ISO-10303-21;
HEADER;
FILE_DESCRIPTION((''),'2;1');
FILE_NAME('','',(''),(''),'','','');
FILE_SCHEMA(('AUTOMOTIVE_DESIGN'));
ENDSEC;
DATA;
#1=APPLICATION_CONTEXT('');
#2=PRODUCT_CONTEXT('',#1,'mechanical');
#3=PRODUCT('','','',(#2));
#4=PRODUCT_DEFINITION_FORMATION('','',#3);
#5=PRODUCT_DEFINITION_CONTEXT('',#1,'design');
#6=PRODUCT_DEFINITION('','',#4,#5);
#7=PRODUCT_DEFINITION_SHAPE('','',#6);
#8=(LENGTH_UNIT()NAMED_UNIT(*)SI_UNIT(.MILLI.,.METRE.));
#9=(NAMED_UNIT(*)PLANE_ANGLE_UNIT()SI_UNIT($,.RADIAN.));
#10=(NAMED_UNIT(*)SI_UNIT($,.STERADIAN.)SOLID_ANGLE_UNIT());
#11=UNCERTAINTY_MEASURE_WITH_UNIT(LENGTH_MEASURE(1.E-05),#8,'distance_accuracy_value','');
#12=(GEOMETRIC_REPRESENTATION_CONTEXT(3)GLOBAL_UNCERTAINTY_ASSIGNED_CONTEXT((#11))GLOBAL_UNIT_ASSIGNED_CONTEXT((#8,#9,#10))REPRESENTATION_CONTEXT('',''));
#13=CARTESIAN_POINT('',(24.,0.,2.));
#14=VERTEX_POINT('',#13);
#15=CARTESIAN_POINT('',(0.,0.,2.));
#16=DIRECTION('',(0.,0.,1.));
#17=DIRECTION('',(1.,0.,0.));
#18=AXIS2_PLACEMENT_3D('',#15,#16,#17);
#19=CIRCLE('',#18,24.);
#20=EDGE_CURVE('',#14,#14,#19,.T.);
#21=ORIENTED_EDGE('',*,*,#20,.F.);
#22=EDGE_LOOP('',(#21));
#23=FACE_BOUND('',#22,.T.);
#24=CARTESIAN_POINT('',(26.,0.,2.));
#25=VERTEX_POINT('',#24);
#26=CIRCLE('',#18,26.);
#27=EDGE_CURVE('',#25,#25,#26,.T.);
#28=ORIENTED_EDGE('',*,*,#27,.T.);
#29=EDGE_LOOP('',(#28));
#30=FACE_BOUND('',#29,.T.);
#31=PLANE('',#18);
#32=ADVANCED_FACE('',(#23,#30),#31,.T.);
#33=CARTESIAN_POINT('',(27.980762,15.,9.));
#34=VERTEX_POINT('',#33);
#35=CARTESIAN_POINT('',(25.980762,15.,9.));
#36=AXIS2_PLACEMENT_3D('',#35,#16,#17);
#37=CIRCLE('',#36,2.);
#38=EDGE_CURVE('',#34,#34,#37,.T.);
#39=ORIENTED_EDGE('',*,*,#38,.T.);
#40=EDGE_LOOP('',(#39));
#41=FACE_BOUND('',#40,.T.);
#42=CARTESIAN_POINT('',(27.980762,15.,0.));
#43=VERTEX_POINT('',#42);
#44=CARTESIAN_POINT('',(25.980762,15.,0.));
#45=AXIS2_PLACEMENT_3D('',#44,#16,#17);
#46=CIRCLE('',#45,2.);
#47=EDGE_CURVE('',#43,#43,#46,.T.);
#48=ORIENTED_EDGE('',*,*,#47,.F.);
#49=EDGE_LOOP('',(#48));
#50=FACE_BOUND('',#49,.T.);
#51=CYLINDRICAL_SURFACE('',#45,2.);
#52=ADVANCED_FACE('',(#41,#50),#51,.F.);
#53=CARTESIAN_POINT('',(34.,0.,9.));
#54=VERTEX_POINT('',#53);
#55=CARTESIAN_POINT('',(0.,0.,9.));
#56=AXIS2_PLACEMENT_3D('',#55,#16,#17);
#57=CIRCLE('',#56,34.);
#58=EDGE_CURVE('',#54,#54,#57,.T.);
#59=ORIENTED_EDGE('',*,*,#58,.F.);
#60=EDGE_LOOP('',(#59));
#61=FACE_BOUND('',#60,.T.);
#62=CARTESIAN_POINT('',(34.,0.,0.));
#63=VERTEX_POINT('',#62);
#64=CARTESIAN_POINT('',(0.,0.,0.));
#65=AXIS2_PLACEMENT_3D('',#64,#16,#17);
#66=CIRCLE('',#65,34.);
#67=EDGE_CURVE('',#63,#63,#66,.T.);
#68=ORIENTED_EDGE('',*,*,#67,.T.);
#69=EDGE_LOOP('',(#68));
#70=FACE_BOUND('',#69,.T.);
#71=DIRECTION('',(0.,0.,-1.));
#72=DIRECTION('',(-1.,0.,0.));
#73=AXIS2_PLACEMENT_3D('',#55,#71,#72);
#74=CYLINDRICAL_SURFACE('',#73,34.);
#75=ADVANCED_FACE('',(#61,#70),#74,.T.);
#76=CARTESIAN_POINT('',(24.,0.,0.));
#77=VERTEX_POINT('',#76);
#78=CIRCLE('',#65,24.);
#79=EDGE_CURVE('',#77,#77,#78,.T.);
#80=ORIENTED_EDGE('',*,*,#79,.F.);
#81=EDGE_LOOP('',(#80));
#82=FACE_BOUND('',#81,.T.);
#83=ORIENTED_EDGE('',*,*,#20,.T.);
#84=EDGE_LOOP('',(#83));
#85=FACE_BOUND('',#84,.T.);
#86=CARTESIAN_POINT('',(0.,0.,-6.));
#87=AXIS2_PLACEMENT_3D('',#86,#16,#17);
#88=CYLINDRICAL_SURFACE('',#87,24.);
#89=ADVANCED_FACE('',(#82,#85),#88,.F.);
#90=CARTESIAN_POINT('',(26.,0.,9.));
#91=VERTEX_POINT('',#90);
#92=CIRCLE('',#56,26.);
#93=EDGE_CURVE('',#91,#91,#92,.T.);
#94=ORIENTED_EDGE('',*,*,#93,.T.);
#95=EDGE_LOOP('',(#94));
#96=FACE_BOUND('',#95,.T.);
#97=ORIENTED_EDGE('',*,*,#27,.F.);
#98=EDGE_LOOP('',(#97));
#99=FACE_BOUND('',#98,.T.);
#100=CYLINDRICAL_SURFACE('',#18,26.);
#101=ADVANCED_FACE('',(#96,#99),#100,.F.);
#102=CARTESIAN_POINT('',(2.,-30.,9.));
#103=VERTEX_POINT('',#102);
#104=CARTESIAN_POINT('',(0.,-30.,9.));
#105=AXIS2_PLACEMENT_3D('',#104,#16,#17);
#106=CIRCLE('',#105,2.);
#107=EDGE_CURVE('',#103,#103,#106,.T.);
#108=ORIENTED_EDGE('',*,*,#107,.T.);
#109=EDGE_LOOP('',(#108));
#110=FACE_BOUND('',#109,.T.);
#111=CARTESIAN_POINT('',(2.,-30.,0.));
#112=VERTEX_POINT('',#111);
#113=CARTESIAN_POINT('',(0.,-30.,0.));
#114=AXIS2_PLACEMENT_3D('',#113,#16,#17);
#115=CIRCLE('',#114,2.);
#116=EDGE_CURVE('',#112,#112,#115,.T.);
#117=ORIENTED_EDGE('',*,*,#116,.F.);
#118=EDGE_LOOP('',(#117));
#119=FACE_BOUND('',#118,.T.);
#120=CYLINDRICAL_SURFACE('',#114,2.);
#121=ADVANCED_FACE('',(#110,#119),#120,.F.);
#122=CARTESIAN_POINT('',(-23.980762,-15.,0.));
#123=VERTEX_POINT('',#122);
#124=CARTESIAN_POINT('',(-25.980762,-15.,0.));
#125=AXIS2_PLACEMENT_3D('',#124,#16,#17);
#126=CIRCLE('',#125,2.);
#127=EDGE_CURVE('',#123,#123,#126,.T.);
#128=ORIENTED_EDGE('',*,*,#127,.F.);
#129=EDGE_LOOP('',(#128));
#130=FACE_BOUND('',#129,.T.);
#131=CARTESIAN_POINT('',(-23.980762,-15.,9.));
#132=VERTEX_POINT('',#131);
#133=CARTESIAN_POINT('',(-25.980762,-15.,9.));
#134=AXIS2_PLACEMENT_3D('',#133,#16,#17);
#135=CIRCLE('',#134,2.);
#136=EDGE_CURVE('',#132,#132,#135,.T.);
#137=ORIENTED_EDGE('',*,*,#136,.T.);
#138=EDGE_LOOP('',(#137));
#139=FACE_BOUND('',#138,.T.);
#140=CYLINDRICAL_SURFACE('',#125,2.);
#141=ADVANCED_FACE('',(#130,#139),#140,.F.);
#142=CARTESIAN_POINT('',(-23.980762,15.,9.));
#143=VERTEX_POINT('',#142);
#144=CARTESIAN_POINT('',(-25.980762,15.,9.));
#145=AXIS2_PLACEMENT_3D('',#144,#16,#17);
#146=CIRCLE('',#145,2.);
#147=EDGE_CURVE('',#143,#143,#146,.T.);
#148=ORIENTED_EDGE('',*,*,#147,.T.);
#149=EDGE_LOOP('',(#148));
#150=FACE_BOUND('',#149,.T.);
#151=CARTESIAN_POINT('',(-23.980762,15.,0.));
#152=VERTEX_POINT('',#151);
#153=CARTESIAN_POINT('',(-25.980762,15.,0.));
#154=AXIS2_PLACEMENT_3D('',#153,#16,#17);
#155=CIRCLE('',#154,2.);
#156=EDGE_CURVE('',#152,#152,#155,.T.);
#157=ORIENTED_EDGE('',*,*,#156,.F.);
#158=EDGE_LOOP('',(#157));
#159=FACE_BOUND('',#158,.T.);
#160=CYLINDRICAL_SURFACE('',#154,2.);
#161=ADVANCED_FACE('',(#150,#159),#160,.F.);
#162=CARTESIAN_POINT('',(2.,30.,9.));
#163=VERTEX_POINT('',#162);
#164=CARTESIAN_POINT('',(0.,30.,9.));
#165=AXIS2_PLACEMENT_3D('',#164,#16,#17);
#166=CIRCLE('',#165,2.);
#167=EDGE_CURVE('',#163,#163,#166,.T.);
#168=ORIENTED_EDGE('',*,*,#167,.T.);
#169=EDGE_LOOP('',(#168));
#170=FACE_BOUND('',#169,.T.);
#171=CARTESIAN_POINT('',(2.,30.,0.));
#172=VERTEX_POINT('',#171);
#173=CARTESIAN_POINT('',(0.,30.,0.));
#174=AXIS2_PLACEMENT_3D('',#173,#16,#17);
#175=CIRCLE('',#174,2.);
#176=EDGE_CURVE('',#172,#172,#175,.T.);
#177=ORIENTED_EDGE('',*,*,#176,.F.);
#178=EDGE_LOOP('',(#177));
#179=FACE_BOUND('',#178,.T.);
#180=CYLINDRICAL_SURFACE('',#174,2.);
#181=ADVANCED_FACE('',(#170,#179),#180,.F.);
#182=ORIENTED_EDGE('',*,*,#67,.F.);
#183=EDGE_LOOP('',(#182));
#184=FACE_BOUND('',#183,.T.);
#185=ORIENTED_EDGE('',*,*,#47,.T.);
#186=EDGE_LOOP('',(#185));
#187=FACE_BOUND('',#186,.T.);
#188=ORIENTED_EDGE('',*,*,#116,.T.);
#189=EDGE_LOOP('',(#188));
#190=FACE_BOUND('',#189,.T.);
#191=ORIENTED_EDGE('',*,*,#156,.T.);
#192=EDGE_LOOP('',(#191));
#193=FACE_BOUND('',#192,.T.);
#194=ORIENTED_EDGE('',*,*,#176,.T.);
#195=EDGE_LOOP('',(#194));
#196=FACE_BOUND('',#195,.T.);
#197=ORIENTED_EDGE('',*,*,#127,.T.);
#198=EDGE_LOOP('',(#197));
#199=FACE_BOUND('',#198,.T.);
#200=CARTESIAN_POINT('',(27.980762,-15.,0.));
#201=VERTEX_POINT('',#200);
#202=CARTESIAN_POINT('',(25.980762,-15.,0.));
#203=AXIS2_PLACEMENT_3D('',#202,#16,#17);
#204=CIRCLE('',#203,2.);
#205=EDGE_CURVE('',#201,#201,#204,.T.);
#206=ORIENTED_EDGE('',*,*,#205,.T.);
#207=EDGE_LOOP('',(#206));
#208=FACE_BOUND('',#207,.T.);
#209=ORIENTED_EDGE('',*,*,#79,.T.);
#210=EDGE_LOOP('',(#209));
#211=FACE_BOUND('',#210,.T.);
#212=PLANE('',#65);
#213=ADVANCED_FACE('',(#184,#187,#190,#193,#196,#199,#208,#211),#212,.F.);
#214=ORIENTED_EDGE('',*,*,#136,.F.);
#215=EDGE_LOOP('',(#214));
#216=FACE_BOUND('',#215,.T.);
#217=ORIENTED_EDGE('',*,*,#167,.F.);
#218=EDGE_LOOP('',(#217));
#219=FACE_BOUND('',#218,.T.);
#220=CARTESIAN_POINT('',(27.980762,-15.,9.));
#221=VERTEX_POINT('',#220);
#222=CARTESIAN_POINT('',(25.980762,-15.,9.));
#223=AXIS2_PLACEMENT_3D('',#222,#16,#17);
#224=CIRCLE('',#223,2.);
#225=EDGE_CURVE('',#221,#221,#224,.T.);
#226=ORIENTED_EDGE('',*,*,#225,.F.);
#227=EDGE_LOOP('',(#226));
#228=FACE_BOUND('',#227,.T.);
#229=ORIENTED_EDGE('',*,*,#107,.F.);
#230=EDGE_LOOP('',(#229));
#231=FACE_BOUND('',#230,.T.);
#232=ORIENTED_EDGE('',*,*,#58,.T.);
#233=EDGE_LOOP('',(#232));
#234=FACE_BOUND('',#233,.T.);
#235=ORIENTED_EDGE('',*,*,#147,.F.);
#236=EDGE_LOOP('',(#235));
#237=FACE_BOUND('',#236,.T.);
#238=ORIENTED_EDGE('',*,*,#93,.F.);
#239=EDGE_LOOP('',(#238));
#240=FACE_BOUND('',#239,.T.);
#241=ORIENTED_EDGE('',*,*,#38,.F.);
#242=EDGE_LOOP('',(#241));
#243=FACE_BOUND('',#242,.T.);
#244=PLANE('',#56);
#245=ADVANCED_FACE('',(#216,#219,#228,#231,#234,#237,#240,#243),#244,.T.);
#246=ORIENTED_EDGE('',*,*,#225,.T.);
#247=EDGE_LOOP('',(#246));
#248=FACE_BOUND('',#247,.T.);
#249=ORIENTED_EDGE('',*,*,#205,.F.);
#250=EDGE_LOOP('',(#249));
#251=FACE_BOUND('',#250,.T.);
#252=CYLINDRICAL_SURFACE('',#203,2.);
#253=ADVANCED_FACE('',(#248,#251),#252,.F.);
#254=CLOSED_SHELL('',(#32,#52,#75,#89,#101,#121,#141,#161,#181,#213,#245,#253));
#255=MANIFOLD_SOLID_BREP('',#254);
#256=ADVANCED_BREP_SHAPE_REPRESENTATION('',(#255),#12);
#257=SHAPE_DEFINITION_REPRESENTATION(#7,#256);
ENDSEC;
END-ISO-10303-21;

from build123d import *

# Parameters (mm, degrees)
SKETCH_1_R          = 34
EXTRUDE_1_DEPTH     = 9
SKETCH_2_R          = 26
CUT_EXTRUDE_1_DEPTH = 7
SKETCH_3_R          = 24
CUT_EXTRUDE_2_DEPTH = 8
SKETCH_4_R          = 2
CUT_EXTRUDE_3_DEPTH = 49.918299235


with BuildPart() as part:
    # 草图1 → 凸台-拉伸1 (new body)
    with BuildSketch(Plane.XY):
        Circle(SKETCH_1_R)
    extrude(amount=EXTRUDE_1_DEPTH)

    # 草图2 → 切除-拉伸1 (cut)
    with BuildSketch(Plane.XY.offset(9)):
        Circle(SKETCH_2_R)
    extrude(amount=-CUT_EXTRUDE_1_DEPTH, mode=Mode.SUBTRACT)

    # 草图3 → 切除-拉伸2 (cut)
    with BuildSketch(Plane.XY.offset(2)):
        Circle(SKETCH_3_R)
    extrude(amount=-CUT_EXTRUDE_2_DEPTH, mode=Mode.SUBTRACT)

    # 草图4 → 切除-拉伸3 (cut, through all)
    with BuildSketch(Plane.XY.offset(9)):
        with Locations((0, 30)):
            Circle(SKETCH_4_R)
        with Locations((25.980762114, 15)):
            Circle(SKETCH_4_R)
        with Locations((25.980762114, -15)):
            Circle(SKETCH_4_R)
        with Locations((0, -30)):
            Circle(SKETCH_4_R)
        with Locations((-25.980762114, -15)):
            Circle(SKETCH_4_R)
        with Locations((-25.980762114, 15)):
            Circle(SKETCH_4_R)
    extrude(amount=-CUT_EXTRUDE_3_DEPTH, mode=Mode.SUBTRACT)


solid = part.part
